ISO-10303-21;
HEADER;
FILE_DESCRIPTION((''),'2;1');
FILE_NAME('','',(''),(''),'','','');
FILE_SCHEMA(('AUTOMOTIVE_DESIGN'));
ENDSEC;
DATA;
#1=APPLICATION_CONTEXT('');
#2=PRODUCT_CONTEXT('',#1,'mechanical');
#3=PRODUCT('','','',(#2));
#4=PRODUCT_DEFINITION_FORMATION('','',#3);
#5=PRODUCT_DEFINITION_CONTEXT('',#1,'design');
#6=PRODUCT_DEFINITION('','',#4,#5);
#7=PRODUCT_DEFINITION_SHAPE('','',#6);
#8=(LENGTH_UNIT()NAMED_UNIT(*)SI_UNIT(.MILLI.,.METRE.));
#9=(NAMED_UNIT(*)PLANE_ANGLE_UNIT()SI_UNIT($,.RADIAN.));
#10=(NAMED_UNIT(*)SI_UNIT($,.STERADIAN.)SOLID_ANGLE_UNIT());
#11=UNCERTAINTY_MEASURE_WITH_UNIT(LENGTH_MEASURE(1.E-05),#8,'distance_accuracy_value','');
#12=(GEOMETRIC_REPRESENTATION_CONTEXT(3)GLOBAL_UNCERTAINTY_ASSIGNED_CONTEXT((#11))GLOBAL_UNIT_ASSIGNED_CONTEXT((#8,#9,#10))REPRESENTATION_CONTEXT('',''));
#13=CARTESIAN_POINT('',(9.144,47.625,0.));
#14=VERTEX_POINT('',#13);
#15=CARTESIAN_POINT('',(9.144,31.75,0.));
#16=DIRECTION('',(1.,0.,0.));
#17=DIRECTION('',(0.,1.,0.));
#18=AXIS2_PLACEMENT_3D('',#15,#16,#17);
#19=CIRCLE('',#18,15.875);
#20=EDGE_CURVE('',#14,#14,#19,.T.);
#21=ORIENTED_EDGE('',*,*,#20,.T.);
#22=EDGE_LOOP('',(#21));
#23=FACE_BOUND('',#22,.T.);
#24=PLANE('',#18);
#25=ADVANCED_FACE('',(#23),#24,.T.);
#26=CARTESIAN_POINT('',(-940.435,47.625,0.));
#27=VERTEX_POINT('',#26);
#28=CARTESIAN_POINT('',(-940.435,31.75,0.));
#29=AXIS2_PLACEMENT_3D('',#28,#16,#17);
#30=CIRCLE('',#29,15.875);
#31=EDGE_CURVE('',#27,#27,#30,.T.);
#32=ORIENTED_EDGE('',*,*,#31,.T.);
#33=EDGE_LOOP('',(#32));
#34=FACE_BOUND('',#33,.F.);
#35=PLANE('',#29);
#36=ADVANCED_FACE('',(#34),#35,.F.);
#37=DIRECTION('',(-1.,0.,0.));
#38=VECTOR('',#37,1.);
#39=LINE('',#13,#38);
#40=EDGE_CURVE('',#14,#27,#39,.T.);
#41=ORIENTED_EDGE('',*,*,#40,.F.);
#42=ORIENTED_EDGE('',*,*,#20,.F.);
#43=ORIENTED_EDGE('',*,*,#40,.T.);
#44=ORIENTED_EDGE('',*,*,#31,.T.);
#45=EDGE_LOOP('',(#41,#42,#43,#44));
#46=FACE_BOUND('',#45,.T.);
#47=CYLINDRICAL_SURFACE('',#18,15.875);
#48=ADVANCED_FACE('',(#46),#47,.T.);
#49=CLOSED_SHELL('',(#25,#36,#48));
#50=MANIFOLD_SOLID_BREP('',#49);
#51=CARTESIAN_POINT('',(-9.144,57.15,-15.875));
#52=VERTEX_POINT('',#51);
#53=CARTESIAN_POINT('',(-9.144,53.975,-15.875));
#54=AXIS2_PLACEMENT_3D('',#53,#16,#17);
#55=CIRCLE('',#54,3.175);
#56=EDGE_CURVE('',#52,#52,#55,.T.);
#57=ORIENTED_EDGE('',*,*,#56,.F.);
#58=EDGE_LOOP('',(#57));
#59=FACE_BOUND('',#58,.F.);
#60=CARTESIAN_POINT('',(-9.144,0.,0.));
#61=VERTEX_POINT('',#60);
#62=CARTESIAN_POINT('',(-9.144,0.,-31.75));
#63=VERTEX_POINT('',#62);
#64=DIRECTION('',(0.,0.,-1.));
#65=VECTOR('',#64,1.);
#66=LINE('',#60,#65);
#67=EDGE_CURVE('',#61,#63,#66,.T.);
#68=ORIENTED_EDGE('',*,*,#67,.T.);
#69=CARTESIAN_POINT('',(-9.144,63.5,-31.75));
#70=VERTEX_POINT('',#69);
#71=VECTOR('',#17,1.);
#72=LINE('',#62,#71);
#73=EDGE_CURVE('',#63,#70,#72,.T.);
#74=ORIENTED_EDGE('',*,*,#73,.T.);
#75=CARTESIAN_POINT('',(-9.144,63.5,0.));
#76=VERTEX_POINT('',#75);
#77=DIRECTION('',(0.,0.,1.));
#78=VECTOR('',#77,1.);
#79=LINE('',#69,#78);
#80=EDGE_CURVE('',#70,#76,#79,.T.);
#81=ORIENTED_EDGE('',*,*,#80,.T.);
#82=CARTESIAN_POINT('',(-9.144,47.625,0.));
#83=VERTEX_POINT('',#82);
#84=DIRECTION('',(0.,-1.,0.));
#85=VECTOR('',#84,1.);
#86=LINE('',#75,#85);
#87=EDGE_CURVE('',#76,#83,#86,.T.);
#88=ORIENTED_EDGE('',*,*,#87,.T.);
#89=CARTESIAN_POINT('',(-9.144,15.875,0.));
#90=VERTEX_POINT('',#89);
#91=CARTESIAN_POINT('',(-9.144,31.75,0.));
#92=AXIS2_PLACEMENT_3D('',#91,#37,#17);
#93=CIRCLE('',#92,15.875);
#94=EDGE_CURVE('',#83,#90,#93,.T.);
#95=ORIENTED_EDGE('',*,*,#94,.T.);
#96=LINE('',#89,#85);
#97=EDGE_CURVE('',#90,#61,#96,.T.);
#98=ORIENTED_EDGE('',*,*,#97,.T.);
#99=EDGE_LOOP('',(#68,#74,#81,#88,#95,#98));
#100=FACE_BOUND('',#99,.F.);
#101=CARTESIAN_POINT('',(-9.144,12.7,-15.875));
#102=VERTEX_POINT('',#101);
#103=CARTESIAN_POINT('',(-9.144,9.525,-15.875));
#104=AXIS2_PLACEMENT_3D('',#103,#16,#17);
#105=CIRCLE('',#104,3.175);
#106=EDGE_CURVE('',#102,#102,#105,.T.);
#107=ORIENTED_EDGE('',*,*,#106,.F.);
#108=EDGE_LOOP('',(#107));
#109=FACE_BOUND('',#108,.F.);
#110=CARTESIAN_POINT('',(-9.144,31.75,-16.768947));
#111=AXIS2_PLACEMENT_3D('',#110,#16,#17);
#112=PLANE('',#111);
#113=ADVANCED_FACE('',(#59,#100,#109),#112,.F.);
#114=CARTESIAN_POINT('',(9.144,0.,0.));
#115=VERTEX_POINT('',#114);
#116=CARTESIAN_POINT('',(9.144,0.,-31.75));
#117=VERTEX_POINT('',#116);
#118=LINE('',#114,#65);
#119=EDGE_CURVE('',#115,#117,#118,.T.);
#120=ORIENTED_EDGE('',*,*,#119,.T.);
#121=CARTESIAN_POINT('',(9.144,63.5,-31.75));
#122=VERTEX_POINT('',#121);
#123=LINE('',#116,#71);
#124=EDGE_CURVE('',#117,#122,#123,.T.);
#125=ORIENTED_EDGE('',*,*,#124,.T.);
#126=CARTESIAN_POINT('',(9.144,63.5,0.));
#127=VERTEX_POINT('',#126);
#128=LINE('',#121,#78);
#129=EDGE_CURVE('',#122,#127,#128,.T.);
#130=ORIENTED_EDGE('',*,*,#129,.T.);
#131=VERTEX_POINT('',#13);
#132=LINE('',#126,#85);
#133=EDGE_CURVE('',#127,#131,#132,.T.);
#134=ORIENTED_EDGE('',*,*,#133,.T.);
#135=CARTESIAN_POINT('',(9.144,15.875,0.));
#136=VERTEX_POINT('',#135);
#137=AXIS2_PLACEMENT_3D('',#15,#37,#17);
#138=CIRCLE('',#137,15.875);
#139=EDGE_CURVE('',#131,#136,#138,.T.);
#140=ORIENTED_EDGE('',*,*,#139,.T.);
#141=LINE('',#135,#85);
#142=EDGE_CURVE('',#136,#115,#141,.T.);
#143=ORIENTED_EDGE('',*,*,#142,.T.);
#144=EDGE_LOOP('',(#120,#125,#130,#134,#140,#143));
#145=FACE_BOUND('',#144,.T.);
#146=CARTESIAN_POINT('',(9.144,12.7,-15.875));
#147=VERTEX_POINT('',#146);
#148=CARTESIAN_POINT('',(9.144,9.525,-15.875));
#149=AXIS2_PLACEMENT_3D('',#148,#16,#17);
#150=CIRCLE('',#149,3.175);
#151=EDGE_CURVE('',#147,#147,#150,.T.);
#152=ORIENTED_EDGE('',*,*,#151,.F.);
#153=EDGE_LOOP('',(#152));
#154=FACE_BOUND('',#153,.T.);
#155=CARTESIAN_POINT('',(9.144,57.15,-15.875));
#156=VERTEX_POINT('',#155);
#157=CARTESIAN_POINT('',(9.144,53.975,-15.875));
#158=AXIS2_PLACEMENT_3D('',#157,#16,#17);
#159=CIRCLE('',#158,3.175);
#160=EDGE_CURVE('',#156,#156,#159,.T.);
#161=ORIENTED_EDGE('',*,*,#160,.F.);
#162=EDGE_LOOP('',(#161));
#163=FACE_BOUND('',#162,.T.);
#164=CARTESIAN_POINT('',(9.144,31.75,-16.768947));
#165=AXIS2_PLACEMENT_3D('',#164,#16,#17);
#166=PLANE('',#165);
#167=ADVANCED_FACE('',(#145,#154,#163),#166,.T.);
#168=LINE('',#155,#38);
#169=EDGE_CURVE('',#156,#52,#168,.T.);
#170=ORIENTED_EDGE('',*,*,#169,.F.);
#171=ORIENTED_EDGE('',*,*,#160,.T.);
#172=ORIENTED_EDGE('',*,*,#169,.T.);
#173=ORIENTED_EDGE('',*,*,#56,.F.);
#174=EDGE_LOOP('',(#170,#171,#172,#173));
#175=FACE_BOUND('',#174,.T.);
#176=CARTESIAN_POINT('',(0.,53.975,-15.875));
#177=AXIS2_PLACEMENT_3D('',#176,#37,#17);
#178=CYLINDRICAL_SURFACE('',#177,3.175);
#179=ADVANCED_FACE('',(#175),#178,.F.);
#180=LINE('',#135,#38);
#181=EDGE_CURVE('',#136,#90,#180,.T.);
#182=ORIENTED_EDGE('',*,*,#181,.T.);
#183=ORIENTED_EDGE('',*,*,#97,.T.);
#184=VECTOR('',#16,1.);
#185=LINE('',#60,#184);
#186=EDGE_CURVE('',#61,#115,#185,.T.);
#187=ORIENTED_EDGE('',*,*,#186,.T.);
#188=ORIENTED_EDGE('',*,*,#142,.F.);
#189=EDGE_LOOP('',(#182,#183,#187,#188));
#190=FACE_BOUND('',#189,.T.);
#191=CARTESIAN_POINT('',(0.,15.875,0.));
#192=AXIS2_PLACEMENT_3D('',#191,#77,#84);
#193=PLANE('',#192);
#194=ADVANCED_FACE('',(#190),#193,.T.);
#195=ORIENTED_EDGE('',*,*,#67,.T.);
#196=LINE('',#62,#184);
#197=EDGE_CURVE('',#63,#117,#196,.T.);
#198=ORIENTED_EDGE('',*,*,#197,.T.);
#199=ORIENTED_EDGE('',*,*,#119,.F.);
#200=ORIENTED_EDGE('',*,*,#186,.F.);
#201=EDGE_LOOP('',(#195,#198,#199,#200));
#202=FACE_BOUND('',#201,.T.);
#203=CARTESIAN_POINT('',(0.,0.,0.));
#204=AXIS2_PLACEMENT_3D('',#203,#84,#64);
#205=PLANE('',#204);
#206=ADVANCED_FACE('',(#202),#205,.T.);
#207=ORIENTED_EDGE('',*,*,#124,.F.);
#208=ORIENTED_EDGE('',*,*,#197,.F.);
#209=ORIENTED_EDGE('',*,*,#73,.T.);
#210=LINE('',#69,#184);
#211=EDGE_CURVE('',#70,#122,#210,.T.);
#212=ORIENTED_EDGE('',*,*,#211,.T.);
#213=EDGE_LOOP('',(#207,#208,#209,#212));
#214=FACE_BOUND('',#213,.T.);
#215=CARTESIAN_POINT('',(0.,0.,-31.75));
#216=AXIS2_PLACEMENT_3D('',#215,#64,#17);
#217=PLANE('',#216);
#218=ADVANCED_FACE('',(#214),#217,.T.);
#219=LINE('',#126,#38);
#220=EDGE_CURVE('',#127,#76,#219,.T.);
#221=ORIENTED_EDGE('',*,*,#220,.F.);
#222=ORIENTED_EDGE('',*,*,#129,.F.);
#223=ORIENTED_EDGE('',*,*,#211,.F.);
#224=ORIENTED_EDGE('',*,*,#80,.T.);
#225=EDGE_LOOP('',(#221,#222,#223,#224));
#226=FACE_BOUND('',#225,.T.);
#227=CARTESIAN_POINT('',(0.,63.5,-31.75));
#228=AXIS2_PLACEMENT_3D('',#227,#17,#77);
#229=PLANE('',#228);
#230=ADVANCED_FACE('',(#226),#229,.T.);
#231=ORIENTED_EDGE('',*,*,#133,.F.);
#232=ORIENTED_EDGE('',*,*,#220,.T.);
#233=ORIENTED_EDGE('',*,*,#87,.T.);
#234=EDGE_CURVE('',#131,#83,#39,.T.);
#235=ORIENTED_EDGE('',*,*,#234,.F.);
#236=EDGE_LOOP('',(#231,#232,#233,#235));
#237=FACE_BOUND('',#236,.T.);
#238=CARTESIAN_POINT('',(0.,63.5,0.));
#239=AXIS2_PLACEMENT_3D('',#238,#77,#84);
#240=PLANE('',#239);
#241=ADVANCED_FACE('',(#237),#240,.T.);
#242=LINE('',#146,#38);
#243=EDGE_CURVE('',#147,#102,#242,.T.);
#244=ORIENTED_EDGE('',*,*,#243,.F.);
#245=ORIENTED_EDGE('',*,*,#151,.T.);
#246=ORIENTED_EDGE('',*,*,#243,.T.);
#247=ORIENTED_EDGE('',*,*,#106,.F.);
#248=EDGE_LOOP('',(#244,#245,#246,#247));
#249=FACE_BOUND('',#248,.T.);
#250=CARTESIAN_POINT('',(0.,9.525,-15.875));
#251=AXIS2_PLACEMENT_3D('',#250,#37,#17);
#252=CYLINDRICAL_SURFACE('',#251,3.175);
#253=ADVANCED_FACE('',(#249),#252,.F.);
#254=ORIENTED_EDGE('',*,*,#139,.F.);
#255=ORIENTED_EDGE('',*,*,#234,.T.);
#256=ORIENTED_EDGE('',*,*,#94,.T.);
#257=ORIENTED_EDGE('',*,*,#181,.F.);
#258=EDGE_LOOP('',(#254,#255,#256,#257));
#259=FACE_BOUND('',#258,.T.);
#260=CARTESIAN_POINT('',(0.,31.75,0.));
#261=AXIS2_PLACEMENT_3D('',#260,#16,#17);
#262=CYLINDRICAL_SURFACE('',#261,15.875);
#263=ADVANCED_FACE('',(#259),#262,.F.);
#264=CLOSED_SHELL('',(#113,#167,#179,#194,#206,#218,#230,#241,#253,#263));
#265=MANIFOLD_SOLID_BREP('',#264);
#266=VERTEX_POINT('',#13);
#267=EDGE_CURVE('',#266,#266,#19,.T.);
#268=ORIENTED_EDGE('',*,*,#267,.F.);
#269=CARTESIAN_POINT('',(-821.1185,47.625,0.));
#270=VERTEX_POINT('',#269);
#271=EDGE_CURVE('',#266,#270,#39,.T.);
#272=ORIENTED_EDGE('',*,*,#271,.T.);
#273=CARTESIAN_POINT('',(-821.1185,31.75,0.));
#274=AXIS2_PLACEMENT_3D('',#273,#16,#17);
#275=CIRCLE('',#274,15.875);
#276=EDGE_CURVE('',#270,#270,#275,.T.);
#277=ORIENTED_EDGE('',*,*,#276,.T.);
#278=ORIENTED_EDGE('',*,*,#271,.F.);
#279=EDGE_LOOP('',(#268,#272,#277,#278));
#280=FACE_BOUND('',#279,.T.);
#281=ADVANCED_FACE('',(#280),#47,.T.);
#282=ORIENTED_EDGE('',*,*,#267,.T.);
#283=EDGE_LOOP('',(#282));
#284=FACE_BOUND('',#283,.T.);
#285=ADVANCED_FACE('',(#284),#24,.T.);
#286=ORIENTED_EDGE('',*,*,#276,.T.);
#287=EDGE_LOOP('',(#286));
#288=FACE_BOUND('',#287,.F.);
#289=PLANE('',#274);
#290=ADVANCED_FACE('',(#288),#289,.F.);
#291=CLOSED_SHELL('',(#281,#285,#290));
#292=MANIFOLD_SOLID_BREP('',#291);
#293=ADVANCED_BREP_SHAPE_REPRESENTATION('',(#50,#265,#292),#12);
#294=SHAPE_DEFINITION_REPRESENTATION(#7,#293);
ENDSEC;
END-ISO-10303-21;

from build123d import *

# Parameters (mm, degrees)
F0_R     = 3.175
F1_DEPTH = 9.144
F3_DEPTH = 830.2625
F5_DEPTH = 949.579


with BuildPart() as f1:
    # F0 (on Right) → F1 (new body, symmetric)
    with BuildSketch(Plane.YZ):
        with BuildLine():
            Line((15.875, 0), (0, 0))
            Line((0, 0), (0, -31.75))
            Line((0, -31.75), (63.5, -31.75))
            Line((63.5, -31.75), (63.5, 0))
            Line((63.5, 0), (47.625, 0))
            ThreePointArc((47.625, 0), (31.75, -15.875), (15.875, 0))
        make_face()
        with Locations((9.525, -15.875)):
            Circle(F0_R, mode=Mode.SUBTRACT)
        with Locations((53.975, -15.875)):
            Circle(F0_R, mode=Mode.SUBTRACT)
    extrude(amount=F1_DEPTH, both=True)


with BuildPart() as f3:
    # F2 (on face) → F3 (new body)
    with BuildSketch(Plane.YZ.offset(9.144)):
        with BuildLine():
            ThreePointArc((15.875, 0), (31.75, -15.875), (47.625, 0))
            ThreePointArc((47.625, 0), (31.75, 15.875), (15.875, 0))
        make_face()
    extrude(amount=-F3_DEPTH)


with BuildPart() as f5:
    # F4 (on face) → F5 (new body)
    with BuildSketch(Plane.YZ.offset(9.144)):
        with BuildLine():
            ThreePointArc((15.875, 0), (31.75, -15.875), (47.625, 0))
            ThreePointArc((47.625, 0), (31.75, 15.875), (15.875, 0))
        make_face()
    extrude(amount=-F5_DEPTH)


solid = Compound([f1.part, f3.part, f5.part])
